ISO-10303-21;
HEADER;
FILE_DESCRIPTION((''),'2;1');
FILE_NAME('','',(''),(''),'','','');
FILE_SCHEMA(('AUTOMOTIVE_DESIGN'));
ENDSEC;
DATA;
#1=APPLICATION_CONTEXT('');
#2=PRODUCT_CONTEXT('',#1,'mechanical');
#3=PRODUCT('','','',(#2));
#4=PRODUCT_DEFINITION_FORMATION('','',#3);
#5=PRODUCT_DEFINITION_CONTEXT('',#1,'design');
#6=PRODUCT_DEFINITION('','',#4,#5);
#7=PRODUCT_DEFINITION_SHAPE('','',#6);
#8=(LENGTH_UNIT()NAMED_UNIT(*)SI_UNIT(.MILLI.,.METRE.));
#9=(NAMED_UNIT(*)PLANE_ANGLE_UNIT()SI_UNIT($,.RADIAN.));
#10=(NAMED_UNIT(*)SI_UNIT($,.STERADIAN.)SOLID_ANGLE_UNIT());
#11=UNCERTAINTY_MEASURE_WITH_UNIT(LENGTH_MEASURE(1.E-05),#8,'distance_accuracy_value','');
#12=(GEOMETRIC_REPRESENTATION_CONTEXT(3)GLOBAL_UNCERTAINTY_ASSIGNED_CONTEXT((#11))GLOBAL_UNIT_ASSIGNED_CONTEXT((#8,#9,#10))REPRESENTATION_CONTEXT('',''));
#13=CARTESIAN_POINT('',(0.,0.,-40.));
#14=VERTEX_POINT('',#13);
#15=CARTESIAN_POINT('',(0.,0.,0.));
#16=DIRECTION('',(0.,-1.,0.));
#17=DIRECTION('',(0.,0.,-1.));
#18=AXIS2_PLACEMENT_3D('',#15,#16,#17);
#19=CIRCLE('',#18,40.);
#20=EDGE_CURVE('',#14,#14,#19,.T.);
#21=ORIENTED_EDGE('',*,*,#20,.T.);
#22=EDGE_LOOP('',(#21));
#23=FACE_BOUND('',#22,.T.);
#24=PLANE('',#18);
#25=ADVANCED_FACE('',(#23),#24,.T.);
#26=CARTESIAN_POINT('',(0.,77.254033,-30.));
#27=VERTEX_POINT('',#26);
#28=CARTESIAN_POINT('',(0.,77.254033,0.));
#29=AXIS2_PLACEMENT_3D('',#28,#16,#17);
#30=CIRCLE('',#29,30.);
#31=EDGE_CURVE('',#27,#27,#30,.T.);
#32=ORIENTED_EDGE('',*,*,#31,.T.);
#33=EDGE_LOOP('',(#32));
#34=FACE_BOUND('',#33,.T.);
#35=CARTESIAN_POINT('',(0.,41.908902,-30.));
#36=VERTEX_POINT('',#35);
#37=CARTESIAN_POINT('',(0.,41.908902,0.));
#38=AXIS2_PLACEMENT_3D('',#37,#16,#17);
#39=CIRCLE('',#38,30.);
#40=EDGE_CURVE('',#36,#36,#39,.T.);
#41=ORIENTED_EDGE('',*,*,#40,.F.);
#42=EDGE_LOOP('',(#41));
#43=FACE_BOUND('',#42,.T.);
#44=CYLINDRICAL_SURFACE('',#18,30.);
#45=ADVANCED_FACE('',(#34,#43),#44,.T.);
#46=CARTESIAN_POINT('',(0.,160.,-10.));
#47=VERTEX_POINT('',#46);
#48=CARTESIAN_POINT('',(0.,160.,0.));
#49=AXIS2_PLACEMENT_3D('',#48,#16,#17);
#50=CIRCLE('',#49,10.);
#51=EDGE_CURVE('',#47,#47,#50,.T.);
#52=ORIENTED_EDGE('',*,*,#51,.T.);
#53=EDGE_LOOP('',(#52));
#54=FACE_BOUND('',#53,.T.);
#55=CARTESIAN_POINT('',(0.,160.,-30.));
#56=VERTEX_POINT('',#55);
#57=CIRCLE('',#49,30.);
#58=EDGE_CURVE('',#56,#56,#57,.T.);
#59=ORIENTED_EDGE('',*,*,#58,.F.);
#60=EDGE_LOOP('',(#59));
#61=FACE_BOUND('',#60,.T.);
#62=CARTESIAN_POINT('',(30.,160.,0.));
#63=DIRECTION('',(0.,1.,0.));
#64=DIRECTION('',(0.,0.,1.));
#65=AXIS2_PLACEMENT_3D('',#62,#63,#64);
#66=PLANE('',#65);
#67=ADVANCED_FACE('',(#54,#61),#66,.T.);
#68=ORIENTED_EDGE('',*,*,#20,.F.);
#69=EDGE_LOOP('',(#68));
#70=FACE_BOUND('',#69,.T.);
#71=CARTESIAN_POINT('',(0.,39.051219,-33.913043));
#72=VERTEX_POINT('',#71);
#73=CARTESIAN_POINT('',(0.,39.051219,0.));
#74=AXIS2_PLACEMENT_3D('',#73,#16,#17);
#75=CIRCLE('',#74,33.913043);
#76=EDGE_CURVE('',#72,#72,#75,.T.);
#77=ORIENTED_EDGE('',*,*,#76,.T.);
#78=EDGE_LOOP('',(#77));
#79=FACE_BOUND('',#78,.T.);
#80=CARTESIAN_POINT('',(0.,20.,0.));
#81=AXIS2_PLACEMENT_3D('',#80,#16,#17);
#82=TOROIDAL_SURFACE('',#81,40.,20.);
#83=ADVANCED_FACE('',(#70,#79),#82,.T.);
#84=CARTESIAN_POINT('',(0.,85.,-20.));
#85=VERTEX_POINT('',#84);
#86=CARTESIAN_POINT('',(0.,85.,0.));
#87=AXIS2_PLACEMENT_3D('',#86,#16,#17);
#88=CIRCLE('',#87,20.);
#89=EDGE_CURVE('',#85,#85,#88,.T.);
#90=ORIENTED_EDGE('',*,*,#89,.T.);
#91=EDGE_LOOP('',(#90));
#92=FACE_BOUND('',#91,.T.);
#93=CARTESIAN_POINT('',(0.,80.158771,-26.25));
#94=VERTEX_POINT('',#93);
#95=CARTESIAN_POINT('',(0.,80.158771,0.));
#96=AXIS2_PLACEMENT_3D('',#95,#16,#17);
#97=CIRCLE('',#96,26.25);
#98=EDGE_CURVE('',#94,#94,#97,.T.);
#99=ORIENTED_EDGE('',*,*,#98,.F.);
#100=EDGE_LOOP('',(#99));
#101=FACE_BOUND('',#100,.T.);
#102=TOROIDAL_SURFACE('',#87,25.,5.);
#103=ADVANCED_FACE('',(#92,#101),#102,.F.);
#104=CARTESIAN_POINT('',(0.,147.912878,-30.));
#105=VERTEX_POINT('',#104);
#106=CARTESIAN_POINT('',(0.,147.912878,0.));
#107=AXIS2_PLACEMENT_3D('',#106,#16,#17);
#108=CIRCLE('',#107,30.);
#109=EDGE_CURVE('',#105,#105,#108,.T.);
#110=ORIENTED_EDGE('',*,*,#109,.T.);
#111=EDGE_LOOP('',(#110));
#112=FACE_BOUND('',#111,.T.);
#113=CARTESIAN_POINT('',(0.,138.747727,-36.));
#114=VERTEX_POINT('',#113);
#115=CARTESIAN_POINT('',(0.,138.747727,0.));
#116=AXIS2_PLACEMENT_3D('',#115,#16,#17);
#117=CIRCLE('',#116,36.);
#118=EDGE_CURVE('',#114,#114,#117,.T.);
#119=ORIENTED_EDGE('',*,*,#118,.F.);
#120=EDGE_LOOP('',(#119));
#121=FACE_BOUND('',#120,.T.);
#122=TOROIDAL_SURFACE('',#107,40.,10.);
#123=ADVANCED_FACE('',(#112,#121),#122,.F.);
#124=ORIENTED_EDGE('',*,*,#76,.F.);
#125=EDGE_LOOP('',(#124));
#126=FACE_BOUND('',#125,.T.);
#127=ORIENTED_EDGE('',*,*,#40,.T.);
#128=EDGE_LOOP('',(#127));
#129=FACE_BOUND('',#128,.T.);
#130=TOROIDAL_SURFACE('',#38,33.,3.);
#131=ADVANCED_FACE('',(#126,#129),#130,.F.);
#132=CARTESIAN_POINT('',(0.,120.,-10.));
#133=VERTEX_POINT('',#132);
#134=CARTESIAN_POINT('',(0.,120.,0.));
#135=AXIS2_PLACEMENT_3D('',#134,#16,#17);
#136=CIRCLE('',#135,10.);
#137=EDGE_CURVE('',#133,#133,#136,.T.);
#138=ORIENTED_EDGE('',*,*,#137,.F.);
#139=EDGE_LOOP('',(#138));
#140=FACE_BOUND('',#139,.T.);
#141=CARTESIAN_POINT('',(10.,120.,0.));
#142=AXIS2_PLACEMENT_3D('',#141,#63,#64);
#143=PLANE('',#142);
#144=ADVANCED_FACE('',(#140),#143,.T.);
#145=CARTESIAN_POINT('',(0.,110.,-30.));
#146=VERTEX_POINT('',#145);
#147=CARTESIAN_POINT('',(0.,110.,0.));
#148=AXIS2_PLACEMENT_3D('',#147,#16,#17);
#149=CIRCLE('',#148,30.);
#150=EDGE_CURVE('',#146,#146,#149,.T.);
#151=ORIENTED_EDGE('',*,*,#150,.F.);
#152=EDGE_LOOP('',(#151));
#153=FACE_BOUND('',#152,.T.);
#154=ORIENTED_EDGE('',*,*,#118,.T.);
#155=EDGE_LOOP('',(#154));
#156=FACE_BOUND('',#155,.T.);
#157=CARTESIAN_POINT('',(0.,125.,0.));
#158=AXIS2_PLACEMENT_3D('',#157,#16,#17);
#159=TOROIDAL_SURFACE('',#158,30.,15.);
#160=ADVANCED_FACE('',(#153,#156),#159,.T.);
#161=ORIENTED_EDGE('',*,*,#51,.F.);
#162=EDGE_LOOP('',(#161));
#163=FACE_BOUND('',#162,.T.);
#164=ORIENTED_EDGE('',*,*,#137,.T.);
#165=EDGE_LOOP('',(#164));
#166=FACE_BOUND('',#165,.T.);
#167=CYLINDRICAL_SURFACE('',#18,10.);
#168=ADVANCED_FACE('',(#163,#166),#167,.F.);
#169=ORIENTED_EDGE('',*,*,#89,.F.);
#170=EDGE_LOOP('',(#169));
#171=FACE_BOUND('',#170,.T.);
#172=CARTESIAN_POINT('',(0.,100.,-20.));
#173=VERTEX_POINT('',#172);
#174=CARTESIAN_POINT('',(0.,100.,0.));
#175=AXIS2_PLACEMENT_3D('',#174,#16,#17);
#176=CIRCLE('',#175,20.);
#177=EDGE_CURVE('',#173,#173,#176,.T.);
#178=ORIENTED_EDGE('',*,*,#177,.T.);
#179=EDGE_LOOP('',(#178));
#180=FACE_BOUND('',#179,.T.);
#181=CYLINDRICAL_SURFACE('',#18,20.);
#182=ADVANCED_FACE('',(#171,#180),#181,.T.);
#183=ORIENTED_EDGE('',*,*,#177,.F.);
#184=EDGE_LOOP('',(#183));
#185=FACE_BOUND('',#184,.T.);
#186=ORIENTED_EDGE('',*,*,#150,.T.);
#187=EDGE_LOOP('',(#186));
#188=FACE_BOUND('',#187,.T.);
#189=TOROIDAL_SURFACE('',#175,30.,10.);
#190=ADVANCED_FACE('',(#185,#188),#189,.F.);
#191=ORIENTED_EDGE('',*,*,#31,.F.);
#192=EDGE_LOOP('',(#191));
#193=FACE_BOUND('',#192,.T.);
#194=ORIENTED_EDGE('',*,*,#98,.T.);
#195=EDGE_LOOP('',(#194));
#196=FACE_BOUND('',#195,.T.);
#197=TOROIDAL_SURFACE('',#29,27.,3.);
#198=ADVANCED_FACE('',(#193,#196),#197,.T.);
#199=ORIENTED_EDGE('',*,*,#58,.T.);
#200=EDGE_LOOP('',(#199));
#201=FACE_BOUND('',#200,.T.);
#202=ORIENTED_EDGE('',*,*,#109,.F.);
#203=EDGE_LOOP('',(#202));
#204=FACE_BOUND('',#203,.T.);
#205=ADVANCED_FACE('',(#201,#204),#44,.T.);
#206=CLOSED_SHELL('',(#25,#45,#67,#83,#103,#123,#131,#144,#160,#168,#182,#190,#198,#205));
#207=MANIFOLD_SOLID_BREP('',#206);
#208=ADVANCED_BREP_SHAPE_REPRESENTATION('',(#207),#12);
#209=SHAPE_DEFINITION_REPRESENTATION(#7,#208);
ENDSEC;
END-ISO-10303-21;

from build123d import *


with BuildPart() as part:
    # Sketch1 → Revolve1 (revolve)
    with BuildSketch(Plane.XY, mode=Mode.PRIVATE) as revolve1_sk:
        with BuildLine():
            Line((0, 0), (40, 0))
            ThreePointArc((40, 0), (59.761381377, 23.080228252), (33.913043478, 39.051219391))
            ThreePointArc((33.913043478, 39.051219391), (31.230696526, 39.486183741), (30, 41.9089023))
            Line((30, 41.9089023), (30, 77.254033308))
            ThreePointArc((30, 77.254033308), (28.837117307, 79.625741553), (26.25, 80.158770817))
            ThreePointArc((26.25, 80.158770817), (21.938137822, 81.047152925), (20, 85))
            Line((20, 85), (20, 100))
            ThreePointArc((20, 100), (22.928932188, 107.071067812), (30, 110))
            ThreePointArc((30, 110), (44.683594694, 121.935355345), (36, 138.747727085))
            ThreePointArc((36, 138.747727085), (31.633399735, 142.4356529), (30, 147.912878475))
            Line((30, 147.912878475), (30, 160))
            Line((30, 160), (10, 160))
            Line((10, 160), (10, 120))
            Line((10, 120), (0, 120))
            Line((0, 120), (0, 0))
        make_face()
    revolve(revolve1_sk.sketch.rotate(Axis((0, 0, 0), (0, 1, 0)), 90), axis=Axis((0, 0, 0), (0, 1, 0)))


solid = part.part
